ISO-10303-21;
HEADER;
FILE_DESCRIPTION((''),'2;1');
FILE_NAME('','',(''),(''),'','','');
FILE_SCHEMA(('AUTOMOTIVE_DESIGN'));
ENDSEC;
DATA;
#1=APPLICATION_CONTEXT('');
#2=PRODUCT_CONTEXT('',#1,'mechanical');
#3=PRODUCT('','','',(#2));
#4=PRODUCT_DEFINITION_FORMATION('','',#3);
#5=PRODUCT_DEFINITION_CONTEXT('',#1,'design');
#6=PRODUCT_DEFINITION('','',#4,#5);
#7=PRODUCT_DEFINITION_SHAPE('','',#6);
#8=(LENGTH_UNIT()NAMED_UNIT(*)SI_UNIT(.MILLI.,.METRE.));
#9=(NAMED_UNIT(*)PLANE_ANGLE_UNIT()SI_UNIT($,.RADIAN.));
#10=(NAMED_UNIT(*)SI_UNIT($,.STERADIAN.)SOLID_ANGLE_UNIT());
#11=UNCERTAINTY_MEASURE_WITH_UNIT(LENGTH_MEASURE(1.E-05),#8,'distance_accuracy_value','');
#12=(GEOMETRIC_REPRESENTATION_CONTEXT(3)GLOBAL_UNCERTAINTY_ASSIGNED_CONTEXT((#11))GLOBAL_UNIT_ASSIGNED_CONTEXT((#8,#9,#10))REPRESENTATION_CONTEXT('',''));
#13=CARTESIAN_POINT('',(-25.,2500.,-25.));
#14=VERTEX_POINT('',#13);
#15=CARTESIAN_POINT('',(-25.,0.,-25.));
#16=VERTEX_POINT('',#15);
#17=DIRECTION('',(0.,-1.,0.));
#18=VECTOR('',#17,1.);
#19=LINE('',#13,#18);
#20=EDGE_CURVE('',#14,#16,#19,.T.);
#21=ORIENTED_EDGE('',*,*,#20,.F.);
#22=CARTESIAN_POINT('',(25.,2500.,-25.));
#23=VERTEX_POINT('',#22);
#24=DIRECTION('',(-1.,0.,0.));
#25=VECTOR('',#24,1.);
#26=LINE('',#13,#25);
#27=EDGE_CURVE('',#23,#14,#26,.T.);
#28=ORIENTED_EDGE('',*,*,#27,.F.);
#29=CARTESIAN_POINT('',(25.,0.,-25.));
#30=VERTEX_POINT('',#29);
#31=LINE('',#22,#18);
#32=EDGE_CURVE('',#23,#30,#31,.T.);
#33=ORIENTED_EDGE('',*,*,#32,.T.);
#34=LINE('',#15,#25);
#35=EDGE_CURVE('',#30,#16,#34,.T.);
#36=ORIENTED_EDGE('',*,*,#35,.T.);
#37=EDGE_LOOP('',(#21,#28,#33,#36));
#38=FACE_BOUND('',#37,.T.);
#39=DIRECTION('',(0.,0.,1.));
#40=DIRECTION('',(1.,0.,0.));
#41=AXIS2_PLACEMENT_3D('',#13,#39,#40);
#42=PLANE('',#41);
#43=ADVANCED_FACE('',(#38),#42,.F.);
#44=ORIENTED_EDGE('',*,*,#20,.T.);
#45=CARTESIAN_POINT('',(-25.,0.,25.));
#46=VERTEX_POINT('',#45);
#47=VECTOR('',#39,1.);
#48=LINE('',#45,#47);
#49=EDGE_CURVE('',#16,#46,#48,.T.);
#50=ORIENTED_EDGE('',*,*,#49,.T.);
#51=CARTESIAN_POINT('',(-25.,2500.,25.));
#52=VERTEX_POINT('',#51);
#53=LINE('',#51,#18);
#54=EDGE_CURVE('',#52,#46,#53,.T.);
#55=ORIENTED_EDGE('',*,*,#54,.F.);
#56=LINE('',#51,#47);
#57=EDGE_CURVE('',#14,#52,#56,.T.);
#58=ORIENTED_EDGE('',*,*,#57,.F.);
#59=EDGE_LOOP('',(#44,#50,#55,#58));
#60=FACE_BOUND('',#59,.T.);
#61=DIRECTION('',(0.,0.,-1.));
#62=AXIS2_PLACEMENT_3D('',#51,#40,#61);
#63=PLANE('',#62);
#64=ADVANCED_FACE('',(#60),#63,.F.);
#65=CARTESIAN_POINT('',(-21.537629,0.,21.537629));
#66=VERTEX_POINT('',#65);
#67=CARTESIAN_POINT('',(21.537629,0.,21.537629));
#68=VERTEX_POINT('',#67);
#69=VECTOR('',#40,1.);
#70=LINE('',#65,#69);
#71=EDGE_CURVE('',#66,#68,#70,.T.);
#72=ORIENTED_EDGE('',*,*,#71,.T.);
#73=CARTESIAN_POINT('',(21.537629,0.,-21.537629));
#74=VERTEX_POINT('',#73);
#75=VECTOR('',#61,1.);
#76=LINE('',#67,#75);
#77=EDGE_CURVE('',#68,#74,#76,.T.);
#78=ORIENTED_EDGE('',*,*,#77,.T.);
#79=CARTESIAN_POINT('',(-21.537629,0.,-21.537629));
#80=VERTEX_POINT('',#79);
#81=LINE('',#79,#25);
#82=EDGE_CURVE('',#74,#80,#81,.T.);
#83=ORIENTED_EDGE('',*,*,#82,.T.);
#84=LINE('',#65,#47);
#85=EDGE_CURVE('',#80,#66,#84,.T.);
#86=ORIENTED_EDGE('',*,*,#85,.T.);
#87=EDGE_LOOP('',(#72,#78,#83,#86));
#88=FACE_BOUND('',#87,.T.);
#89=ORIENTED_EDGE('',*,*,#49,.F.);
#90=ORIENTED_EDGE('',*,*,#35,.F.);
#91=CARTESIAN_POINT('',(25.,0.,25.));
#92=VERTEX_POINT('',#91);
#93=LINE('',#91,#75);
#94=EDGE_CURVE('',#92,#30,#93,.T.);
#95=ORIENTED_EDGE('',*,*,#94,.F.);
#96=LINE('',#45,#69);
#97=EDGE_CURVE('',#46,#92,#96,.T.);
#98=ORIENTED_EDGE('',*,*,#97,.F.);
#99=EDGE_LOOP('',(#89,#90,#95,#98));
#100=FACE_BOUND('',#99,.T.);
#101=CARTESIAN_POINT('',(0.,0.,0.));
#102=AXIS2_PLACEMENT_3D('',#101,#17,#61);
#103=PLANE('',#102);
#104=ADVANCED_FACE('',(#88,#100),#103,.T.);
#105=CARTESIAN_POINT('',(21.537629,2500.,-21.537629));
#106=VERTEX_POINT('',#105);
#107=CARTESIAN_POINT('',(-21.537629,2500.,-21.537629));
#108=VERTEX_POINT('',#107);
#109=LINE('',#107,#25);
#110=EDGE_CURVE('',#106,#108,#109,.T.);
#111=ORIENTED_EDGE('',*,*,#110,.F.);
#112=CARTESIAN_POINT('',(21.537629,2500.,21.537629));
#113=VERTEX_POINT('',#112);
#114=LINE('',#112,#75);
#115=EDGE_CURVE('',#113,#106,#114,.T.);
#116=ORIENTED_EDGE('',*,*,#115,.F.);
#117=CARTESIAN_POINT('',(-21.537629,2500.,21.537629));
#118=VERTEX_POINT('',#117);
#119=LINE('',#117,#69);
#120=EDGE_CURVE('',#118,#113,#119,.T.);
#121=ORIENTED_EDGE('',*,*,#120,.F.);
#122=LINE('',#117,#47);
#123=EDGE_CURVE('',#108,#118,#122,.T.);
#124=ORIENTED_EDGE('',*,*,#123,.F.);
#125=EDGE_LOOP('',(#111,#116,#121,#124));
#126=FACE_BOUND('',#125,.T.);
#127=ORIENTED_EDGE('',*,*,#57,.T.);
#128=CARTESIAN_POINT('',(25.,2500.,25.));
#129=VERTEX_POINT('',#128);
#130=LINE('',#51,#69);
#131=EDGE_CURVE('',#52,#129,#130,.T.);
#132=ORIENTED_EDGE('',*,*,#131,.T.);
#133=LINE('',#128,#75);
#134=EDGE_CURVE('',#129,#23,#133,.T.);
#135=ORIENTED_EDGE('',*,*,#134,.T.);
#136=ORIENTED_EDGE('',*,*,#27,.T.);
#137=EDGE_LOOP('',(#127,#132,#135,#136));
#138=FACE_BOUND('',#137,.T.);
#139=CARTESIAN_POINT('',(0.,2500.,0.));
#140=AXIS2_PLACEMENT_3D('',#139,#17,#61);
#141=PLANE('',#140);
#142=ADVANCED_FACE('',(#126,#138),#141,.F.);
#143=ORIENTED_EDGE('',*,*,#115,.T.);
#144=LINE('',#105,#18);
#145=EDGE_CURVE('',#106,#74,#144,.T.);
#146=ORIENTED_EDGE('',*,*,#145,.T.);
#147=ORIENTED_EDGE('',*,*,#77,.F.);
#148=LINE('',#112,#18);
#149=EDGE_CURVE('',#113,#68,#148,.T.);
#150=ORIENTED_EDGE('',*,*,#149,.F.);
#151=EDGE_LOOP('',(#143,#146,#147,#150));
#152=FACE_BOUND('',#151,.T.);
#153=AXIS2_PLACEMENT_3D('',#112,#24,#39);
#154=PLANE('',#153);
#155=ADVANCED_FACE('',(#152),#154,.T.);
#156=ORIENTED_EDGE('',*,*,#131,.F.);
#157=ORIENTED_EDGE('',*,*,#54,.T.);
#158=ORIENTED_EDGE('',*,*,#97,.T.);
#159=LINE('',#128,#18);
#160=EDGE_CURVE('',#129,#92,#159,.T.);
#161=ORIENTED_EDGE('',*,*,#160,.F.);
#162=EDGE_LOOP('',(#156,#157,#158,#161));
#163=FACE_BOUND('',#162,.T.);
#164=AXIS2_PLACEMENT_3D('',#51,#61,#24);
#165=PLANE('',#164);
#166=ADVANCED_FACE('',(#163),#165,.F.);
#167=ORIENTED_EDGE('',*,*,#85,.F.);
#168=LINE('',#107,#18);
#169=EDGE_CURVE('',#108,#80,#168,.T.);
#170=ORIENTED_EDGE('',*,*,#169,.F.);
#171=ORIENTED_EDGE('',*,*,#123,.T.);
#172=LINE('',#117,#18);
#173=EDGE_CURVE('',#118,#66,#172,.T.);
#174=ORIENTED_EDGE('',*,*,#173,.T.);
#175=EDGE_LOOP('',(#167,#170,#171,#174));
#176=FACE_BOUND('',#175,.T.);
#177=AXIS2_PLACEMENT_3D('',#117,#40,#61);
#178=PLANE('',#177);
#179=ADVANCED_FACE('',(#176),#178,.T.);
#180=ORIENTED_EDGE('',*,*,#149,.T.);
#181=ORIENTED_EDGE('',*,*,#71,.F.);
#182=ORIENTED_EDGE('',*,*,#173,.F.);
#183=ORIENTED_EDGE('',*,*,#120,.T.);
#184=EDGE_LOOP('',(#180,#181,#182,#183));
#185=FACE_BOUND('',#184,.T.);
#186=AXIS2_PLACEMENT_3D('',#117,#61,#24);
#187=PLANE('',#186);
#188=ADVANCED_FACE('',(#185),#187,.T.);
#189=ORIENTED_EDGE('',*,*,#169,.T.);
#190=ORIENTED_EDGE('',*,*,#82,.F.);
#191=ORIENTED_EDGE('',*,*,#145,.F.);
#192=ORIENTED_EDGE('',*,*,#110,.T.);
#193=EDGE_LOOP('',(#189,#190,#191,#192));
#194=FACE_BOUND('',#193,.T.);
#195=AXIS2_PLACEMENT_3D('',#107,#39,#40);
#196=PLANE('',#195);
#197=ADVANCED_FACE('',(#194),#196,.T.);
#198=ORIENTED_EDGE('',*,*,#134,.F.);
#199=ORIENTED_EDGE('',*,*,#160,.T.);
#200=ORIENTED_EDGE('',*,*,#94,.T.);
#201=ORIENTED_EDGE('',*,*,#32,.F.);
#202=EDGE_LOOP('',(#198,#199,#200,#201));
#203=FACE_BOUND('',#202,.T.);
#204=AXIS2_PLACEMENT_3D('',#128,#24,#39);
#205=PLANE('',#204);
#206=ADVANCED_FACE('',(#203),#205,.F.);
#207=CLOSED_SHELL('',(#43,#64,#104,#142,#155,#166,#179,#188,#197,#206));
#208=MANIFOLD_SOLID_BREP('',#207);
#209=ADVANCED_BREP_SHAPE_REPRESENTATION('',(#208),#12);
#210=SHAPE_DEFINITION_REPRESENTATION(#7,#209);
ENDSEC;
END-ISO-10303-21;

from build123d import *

# Parameters (mm, degrees)
SKETCH_1_W      = 50
SKETCH_1_H      = 50
SKETCH_1_W_2    = 43.07525768
SKETCH_1_H_2    = 43.07525768
EXTRUDE_1_DEPTH = 2500


with BuildPart() as part:
    # Эскиз1 → Бобышка-Вытянуть1 (new body)
    with BuildSketch(Plane(origin=(0, 0, 0), x_dir=(1, 0, 0), z_dir=(0, 1, 0))):
        Rectangle(SKETCH_1_W, SKETCH_1_H)
        Rectangle(SKETCH_1_W_2, SKETCH_1_H_2, mode=Mode.SUBTRACT)
    extrude(amount=EXTRUDE_1_DEPTH)


solid = part.part
